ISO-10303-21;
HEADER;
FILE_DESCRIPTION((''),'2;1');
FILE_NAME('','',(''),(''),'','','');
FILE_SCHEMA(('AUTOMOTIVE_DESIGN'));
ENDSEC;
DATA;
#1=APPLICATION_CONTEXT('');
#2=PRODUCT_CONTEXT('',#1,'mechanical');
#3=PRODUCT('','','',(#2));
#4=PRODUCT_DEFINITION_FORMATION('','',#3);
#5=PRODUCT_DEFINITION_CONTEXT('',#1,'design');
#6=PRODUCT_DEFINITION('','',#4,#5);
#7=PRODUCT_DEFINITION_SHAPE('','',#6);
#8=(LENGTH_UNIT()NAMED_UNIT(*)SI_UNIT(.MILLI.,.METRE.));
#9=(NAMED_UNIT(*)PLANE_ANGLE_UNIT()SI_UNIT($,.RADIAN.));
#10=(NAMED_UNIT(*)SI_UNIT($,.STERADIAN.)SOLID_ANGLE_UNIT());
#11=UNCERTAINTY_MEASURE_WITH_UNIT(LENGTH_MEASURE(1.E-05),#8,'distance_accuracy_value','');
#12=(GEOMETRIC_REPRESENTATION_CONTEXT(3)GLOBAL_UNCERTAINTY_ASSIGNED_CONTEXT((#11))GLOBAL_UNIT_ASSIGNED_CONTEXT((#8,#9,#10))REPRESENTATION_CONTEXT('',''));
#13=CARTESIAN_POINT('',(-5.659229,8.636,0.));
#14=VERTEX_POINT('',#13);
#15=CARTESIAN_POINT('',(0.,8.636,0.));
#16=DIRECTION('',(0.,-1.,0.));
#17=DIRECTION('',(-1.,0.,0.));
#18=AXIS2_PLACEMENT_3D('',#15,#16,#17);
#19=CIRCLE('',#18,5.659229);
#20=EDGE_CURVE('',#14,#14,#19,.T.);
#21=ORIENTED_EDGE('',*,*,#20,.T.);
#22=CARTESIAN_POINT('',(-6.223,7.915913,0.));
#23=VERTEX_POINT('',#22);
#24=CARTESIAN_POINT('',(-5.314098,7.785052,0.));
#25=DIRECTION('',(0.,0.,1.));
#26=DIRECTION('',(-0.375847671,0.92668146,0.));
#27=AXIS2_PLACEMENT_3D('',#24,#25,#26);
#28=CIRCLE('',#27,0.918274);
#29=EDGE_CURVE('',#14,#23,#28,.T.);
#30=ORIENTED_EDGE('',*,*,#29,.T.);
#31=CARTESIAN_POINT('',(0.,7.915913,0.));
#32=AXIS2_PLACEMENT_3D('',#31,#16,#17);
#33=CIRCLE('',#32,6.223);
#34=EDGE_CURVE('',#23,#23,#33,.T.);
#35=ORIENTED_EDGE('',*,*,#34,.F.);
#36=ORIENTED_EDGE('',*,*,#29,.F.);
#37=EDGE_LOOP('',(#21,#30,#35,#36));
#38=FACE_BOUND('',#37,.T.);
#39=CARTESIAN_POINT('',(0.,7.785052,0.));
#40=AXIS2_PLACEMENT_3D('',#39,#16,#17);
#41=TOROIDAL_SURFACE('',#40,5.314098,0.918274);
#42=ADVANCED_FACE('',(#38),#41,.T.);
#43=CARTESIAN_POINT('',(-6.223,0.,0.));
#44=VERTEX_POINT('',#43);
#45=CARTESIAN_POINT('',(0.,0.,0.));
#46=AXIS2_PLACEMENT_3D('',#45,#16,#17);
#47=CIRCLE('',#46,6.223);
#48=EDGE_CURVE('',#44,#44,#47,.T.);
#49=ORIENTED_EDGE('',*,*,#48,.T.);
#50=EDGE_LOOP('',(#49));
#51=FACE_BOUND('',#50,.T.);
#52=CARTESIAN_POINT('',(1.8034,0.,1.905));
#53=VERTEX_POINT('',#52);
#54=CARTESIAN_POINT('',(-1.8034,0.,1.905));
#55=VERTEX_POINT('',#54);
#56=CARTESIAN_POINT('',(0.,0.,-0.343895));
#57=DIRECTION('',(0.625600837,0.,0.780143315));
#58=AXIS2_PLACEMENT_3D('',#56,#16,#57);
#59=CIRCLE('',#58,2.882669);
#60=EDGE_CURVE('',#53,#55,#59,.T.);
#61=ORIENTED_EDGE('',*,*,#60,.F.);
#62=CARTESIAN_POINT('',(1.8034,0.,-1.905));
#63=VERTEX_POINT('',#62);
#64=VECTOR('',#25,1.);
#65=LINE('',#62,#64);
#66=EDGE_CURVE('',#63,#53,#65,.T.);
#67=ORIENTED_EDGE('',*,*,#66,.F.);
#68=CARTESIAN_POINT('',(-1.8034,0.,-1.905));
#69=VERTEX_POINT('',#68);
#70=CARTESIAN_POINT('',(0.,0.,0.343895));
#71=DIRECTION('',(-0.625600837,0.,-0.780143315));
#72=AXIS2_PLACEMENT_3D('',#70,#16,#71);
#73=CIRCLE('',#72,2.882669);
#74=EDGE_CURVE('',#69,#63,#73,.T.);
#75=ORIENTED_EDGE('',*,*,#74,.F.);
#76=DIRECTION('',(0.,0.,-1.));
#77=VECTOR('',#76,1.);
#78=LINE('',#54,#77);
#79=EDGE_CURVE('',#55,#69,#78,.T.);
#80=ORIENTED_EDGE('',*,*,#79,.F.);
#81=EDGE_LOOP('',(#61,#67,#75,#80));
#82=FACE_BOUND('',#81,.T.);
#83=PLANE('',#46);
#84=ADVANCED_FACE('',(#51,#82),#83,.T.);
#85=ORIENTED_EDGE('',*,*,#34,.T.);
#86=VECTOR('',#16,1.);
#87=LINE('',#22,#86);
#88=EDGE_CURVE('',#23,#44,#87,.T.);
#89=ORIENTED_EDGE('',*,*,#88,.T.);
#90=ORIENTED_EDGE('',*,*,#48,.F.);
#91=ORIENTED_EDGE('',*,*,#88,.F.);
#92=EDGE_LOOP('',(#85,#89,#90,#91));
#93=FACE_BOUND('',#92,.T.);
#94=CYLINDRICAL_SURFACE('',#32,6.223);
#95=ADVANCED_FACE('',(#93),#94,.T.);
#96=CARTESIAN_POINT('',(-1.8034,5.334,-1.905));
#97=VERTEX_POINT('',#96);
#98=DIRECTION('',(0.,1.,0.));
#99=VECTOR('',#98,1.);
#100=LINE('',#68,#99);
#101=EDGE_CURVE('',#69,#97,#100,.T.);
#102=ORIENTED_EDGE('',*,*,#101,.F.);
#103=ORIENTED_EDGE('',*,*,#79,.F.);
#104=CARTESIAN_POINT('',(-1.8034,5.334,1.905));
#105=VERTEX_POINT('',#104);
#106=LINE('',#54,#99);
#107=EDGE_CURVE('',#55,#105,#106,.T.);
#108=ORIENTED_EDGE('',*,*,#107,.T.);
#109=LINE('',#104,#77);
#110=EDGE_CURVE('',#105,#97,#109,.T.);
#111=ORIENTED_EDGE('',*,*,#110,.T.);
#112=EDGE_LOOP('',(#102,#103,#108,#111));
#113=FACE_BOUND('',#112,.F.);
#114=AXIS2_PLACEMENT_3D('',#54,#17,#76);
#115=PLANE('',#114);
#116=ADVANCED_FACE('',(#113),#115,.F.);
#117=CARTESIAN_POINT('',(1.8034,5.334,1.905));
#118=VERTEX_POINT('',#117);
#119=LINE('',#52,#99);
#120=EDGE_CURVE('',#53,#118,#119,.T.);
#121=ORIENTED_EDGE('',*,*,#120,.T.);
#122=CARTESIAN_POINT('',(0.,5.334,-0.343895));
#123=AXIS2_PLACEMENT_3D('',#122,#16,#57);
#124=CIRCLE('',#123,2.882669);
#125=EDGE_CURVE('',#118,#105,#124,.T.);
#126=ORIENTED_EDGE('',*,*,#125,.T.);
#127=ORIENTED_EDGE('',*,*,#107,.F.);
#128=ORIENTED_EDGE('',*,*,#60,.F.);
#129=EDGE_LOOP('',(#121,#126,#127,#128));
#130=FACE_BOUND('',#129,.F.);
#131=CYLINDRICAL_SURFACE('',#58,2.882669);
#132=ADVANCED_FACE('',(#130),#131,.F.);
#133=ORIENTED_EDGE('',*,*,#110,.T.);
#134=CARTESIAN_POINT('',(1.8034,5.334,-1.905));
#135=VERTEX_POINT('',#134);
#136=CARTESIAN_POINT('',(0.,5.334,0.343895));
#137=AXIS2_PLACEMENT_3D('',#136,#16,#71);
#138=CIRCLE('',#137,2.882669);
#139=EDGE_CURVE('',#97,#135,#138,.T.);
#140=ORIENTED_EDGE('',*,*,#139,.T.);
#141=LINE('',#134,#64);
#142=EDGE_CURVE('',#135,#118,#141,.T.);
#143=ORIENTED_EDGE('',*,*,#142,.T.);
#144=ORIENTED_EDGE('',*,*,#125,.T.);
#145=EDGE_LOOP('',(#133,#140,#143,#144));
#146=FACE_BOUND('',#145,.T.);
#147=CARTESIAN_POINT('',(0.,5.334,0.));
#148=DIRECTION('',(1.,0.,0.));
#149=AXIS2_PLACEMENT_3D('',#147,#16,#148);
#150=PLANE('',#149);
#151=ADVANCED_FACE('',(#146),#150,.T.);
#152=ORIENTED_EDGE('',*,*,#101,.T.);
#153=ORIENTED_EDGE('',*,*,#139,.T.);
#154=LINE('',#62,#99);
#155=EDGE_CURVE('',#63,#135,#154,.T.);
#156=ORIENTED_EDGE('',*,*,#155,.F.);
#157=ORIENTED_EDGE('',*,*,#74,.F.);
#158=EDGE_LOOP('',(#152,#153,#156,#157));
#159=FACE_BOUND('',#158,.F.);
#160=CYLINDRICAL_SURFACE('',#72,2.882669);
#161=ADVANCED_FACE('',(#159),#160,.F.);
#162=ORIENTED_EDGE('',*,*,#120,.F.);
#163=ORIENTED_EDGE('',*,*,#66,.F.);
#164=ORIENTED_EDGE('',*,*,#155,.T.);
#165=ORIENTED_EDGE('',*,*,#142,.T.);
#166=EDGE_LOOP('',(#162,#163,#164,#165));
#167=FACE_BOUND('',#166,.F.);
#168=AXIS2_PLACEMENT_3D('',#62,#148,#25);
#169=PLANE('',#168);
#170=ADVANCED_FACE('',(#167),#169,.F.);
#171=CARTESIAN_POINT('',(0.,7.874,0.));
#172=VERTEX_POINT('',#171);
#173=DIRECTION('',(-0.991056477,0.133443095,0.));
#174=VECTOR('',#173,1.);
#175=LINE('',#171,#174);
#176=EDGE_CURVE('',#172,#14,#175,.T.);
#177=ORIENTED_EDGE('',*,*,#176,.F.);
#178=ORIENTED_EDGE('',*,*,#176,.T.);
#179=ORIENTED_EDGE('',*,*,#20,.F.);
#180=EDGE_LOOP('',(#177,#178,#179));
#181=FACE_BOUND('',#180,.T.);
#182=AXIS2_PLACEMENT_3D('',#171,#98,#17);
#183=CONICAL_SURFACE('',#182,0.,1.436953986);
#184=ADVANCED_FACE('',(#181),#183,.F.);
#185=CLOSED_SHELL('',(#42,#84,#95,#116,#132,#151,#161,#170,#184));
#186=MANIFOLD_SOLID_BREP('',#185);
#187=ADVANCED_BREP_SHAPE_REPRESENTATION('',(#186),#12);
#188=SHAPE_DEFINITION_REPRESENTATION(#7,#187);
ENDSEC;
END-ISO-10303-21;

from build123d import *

# Parameters (mm, degrees)
F3_DEPTH = 5.334


with BuildPart() as f1:
    # F0 (on Top) → F1 (revolve)
    with BuildSketch(Plane.XY):
        with BuildLine():
            Line((-6.223, 0), (0, 0))
            Line((0, 0), (0, 7.874))
            Line((0, 7.874), (-5.659229, 8.636))
            ThreePointArc((-5.659229, 8.636), (-6.037134, 8.351132), (-6.223, 7.915913))
            Line((-6.223, 7.915913), (-6.223, 0))
        make_face()
    revolve(axis=Axis((0, 3.937, 0), (0, -1, 0)))

    # F2 (on Front) → F3 (cut)
    with BuildSketch(Plane.XZ):
        with BuildLine():
            Line((1.8034, -1.905), (1.8034, 1.905))
            ThreePointArc((1.8034, 1.905), (0, 2.538774), (-1.8034, 1.905))
            Line((-1.8034, 1.905), (-1.8034, -1.905))
            ThreePointArc((-1.8034, -1.905), (0, -2.538774), (1.8034, -1.905))
        make_face()
    extrude(amount=-F3_DEPTH, mode=Mode.SUBTRACT)


solid = f1.part
